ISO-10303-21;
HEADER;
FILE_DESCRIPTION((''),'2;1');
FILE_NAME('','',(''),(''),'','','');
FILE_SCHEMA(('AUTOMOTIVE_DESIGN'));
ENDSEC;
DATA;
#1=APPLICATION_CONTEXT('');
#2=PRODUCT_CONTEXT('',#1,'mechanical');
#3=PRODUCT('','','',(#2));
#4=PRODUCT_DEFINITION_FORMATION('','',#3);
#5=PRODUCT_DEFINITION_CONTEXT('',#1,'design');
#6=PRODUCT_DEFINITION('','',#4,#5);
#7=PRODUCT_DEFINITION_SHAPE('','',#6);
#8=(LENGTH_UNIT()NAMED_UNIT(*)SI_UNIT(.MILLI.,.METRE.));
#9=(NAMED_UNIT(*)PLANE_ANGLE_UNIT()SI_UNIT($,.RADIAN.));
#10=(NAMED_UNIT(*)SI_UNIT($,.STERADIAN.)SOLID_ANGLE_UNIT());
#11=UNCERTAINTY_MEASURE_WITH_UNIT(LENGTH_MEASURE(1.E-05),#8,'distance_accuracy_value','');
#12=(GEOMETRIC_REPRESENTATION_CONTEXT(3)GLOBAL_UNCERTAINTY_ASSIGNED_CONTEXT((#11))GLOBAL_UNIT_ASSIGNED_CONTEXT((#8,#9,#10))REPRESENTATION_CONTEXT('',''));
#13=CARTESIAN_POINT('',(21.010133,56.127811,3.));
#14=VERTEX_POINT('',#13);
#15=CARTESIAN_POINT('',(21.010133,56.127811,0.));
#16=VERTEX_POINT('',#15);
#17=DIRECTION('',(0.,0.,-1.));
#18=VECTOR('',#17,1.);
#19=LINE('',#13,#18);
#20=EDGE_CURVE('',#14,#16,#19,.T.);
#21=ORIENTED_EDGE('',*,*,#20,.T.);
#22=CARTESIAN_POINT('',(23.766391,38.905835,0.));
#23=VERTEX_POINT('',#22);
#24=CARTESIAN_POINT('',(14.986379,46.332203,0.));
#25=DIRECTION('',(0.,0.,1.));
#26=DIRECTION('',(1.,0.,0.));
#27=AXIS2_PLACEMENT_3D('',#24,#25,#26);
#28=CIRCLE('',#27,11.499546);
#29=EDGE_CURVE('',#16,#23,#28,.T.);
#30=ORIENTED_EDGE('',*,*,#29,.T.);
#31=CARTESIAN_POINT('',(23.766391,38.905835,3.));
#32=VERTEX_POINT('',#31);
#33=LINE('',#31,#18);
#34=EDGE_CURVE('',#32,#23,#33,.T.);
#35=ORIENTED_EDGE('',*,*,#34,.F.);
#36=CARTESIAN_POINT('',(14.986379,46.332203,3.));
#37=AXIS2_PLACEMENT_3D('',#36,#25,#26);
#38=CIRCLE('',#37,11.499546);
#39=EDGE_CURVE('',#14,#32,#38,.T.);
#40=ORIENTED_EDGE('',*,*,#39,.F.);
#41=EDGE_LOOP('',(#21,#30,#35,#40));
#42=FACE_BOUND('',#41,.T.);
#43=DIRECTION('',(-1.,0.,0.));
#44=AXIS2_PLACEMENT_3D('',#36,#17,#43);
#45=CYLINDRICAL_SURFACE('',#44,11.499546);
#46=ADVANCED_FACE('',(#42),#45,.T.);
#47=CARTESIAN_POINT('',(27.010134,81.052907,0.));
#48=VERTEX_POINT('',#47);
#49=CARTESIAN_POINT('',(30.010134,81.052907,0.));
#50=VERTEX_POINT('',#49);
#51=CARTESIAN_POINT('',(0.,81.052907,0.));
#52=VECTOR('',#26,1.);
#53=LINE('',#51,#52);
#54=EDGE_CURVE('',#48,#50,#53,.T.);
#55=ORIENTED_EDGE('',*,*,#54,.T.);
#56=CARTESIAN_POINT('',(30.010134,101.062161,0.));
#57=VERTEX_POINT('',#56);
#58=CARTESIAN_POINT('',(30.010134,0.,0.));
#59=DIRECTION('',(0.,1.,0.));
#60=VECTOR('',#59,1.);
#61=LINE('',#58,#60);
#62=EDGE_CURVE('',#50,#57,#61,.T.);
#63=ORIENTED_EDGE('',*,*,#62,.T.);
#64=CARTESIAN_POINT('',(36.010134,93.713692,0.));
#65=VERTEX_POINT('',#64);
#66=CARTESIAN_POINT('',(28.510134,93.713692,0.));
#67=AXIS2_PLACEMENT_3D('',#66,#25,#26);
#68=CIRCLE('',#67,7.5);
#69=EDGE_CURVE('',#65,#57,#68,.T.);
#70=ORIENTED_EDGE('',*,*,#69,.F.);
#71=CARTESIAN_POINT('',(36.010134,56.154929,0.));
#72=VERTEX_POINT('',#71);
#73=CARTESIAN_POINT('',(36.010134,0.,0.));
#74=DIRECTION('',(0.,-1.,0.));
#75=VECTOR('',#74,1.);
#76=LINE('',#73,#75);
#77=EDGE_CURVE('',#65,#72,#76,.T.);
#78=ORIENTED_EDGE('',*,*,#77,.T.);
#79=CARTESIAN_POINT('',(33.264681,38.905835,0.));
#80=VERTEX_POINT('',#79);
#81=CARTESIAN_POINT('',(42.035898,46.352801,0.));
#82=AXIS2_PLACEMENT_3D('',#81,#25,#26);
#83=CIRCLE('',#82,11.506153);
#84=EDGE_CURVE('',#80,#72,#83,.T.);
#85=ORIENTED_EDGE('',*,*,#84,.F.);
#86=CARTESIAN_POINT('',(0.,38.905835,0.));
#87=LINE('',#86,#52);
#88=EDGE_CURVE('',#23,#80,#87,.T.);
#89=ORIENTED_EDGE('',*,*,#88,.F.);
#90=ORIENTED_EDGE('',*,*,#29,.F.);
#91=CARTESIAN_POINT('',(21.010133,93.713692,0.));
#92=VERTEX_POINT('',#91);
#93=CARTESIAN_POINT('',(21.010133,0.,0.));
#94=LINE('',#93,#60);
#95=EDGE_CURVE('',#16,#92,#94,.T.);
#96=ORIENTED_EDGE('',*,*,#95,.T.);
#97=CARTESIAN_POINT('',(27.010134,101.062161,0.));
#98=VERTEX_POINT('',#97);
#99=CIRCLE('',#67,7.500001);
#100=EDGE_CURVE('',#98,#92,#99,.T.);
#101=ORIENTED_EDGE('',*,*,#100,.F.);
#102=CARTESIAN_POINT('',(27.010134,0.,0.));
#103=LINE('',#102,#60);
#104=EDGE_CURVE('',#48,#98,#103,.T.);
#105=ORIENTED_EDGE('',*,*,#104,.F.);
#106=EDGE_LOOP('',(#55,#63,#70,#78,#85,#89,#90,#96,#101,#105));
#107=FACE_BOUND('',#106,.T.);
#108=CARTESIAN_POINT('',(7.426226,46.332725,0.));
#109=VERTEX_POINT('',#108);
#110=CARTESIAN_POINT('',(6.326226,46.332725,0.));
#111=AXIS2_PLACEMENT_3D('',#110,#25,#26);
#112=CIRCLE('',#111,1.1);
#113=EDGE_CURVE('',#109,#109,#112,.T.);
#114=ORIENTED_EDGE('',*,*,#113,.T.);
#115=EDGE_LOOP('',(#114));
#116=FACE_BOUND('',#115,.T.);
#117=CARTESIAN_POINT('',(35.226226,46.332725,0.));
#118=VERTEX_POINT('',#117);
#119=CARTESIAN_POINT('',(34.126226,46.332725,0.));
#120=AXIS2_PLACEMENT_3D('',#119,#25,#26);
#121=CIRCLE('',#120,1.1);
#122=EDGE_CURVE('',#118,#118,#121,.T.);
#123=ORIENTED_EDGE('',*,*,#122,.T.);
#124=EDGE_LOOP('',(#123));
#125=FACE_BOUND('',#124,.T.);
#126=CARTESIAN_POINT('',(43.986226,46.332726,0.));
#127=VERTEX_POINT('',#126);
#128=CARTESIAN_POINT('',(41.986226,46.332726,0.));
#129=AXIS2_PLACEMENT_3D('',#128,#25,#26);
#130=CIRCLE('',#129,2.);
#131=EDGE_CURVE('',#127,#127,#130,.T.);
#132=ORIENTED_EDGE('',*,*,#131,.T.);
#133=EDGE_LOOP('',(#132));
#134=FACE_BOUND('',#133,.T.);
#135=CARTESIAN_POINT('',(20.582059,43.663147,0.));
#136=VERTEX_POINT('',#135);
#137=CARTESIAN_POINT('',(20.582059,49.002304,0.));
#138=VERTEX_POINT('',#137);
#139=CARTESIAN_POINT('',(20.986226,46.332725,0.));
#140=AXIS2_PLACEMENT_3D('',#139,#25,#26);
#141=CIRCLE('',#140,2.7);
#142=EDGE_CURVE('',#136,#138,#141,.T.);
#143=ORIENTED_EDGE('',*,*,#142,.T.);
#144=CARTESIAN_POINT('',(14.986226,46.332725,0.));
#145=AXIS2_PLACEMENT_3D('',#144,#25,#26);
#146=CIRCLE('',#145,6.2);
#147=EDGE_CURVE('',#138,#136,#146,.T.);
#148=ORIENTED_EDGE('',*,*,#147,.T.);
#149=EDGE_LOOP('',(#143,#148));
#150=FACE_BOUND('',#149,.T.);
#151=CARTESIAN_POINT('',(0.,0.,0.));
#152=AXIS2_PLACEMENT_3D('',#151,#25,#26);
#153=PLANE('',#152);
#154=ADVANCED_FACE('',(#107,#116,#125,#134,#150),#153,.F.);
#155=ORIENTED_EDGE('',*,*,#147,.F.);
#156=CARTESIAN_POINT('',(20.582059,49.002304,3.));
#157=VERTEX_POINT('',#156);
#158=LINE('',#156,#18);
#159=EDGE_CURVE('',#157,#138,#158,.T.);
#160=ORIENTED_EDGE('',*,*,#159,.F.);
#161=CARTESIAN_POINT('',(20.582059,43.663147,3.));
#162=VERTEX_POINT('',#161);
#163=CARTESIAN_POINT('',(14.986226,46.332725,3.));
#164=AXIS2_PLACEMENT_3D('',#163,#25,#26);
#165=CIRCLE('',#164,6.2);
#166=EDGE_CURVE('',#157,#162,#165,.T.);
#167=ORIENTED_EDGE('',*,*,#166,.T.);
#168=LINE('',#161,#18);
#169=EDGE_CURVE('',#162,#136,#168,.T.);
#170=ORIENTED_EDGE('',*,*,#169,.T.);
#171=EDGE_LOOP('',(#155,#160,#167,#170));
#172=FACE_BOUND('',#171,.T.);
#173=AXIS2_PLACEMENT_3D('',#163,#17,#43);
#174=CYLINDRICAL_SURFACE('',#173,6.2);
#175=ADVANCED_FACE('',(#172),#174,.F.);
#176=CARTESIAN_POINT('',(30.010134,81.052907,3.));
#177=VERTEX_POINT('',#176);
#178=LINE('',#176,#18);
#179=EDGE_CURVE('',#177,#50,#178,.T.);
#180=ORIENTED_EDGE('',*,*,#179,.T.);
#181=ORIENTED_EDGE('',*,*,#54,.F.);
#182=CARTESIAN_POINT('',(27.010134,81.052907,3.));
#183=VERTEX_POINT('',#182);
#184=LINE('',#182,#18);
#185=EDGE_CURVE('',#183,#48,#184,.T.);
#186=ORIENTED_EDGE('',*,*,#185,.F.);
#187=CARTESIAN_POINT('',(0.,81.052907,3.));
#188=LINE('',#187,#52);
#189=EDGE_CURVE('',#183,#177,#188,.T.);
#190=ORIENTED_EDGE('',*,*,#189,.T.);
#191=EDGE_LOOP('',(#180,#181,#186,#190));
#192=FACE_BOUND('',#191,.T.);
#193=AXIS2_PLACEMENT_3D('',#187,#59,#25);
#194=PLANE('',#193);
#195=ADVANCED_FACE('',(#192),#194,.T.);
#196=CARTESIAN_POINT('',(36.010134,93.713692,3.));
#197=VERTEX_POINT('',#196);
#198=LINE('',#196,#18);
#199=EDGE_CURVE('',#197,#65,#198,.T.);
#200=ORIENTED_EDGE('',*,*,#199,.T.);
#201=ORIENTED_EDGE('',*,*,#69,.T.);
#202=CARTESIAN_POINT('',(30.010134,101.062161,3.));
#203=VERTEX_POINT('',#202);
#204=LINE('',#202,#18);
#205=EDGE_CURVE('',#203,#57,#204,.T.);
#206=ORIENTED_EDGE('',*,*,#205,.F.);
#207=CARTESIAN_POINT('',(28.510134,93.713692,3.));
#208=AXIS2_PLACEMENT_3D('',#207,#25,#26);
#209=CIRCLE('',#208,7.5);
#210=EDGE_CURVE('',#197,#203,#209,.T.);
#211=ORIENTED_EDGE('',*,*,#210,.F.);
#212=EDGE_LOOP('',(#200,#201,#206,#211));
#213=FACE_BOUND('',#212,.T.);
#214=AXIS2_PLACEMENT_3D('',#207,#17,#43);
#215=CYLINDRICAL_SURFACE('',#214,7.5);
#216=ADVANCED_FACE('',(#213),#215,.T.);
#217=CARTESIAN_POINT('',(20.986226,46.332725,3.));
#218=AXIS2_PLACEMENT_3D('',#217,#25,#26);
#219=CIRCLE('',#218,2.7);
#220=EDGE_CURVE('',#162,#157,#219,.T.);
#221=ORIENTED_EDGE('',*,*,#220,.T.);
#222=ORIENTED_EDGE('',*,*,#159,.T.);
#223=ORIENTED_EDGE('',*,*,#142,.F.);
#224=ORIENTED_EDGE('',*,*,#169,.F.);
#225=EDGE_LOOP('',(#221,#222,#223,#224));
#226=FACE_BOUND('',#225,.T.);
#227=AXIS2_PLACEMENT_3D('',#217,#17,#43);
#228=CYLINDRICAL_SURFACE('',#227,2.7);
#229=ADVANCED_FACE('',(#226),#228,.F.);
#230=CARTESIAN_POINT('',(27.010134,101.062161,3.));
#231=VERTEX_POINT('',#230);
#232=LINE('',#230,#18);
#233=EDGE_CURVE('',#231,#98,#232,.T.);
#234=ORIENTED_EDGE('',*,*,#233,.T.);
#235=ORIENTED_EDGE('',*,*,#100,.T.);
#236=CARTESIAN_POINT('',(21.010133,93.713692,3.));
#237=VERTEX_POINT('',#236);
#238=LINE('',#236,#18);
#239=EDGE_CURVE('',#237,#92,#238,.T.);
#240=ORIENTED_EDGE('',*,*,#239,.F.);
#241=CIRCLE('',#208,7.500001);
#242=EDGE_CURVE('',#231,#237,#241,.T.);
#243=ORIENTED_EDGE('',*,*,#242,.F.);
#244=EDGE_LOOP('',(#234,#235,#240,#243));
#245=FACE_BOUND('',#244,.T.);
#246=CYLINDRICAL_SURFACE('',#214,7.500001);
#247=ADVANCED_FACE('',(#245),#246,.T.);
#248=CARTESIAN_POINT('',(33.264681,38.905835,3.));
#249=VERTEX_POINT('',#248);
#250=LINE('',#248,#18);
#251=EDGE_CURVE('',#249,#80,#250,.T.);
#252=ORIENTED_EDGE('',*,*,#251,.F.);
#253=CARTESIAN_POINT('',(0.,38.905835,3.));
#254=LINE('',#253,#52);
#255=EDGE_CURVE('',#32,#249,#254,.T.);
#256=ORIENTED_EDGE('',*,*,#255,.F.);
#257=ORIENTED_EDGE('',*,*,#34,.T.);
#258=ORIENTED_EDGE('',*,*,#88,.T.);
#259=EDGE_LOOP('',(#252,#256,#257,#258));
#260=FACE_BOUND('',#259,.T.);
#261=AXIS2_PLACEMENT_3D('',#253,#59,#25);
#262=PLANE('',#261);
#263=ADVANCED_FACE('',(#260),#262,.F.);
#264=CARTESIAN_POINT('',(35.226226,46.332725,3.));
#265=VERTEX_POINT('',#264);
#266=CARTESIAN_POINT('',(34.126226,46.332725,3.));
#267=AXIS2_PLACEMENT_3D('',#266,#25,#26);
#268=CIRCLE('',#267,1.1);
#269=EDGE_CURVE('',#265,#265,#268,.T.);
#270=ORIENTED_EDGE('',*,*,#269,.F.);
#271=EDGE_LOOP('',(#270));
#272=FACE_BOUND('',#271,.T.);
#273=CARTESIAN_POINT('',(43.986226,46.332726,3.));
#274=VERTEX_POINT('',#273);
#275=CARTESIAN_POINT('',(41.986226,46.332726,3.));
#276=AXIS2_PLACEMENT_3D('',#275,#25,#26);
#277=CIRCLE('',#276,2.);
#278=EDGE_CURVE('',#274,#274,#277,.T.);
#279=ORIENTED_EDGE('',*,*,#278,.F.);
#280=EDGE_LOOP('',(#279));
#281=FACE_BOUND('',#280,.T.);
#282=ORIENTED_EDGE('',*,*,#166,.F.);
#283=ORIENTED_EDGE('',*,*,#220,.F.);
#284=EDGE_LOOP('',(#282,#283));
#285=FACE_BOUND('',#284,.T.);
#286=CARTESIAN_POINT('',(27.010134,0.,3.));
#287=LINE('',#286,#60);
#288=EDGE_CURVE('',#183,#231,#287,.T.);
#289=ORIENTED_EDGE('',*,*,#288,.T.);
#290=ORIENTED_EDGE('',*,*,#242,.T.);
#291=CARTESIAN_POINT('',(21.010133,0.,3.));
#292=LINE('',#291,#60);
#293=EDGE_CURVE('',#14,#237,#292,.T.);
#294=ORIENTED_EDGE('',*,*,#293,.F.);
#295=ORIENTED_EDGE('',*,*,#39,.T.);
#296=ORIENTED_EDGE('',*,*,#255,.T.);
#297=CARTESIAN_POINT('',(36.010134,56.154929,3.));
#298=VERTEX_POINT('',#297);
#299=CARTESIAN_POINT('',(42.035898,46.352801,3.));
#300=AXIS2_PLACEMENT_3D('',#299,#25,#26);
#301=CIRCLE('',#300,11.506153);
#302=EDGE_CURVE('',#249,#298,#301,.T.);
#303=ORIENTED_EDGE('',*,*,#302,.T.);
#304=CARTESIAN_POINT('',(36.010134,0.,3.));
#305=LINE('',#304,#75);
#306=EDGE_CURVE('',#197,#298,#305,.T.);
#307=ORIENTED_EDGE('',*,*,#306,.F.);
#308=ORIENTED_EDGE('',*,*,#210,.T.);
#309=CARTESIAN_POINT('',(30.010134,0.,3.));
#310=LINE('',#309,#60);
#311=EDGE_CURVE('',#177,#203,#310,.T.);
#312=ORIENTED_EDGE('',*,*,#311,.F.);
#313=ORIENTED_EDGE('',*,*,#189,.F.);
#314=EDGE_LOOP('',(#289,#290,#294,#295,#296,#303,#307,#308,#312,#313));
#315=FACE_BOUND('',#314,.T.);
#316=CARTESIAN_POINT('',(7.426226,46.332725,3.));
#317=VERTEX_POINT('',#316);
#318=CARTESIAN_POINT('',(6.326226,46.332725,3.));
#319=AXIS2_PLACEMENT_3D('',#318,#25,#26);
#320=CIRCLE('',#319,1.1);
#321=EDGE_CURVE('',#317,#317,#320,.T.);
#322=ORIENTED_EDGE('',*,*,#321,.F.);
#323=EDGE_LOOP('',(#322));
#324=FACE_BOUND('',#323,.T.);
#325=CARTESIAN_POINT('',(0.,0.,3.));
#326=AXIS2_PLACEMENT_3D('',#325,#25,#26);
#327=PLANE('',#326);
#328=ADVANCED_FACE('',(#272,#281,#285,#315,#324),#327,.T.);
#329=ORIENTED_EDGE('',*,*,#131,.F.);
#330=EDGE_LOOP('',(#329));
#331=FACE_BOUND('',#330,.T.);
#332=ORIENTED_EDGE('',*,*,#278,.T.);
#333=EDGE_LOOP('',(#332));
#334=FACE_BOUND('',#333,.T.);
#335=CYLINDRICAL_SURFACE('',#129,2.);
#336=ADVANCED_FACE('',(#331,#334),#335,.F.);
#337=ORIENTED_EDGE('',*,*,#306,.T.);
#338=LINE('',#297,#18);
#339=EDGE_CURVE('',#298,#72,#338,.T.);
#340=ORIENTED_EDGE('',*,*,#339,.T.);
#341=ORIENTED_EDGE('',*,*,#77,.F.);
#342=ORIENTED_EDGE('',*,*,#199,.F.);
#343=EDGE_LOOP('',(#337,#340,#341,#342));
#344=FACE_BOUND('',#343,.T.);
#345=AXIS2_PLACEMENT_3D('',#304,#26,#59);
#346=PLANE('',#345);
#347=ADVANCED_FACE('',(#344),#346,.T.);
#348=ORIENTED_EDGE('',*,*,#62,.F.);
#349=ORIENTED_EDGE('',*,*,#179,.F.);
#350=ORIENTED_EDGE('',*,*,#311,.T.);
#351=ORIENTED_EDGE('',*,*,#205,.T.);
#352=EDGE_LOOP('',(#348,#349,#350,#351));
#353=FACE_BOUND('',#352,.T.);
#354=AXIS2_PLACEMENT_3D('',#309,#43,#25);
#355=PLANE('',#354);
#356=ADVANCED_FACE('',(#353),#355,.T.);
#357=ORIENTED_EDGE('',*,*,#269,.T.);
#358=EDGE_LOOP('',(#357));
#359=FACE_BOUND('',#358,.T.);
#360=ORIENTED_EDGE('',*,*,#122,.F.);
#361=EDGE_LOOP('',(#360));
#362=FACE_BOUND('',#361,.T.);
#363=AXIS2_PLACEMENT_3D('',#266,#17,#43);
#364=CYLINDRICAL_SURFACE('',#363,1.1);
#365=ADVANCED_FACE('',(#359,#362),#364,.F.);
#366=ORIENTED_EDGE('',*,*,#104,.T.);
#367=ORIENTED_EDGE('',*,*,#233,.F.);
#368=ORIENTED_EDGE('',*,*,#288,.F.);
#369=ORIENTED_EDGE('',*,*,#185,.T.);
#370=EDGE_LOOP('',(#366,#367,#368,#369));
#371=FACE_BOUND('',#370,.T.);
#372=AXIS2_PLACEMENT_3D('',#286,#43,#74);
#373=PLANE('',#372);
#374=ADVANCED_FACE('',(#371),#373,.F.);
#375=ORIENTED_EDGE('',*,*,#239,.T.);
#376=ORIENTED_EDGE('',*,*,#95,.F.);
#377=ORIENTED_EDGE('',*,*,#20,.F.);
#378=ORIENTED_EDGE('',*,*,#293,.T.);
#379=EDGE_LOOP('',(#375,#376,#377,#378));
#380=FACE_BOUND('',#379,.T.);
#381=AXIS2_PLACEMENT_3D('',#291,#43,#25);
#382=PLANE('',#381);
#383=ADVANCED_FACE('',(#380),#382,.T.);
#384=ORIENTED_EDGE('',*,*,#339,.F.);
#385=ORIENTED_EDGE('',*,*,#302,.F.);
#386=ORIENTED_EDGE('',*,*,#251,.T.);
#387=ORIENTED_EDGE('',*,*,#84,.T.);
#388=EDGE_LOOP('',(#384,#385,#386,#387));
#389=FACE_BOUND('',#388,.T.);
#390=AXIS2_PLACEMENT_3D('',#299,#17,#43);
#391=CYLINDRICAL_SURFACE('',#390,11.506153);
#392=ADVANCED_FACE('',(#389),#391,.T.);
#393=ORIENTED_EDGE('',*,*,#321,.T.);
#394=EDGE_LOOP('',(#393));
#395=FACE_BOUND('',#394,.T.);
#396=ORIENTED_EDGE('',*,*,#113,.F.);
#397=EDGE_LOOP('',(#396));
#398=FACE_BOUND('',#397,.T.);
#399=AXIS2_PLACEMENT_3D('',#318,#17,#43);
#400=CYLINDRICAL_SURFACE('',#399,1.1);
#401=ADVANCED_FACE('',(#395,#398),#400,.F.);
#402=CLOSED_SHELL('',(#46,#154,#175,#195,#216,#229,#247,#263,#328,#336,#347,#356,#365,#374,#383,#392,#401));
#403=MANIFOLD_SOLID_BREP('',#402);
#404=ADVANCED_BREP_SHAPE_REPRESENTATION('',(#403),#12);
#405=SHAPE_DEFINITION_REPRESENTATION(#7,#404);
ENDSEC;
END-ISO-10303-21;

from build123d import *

# Parameters (mm, degrees)
SKETCH3_R           = 1.1
BOSS_EXTRUDE1_DEPTH = 3
SKETCH5_R           = 2
CUT_EXTRUDE1_DEPTH  = 3


with BuildPart() as part:
    # Sketch3 → Boss-Extrude1 (new body)
    with BuildSketch(Plane.XY):
        with BuildLine():
            ThreePointArc((21.010133, 56.127810971), (3.63133679, 44.514906989), (23.766391, 38.905835))
            Line((23.766391, 38.905835), (33.206061, 38.905835))
            Line((33.206061, 38.905835), (33.264681316, 38.905835))
            ThreePointArc((33.264681316, 38.905835), (53.399016999, 44.544189703), (36.010134, 56.154928922))
            Line((36.010134, 56.154928922), (36.010134, 56.158016))
            Line((36.010134, 56.158016), (36.010134, 93.713691502))
            ThreePointArc((36.010134, 93.713691502), (34.319609023, 98.457108027), (30.010134, 101.062160821))
            Line((30.010134, 101.062160821), (30.010134, 101.052906355))
            Line((30.010134, 101.052906355), (30.010134, 81.052906536))
            Line((30.010134, 81.052906536), (27.010134, 81.052906536))
            Line((27.010134, 81.052906536), (27.010134, 101.052906536))
            Line((27.010134, 101.052906536), (27.010134, 101.062160866))
            ThreePointArc((27.010134, 101.062160866), (22.700658897, 98.4571082), (21.010133, 93.713692))
            Line((21.010133, 93.713692), (21.010133, 56.128782))
            Line((21.010133, 56.128782), (21.010133, 56.127810971))
        make_face()
        with Locations((6.326226, 46.332725)):
            Circle(SKETCH3_R, mode=Mode.SUBTRACT)
        with BuildLine():
            ThreePointArc((20.582059495, 43.663146925), (8.78622584, 46.332725409), (20.582059481, 49.002303953))
            ThreePointArc((20.582059481, 49.002303953), (23.686226, 46.332725447), (20.582059495, 43.663146925))
        make_face(mode=Mode.SUBTRACT)
        with Locations((34.126226, 46.332725)):
            Circle(SKETCH3_R, mode=Mode.SUBTRACT)
    extrude(amount=BOSS_EXTRUDE1_DEPTH)

    # Sketch5 → Cut-Extrude1 (cut)
    with BuildSketch(Plane.XY.offset(3)):
        with Locations((41.986225603, 46.332725741)):
            Circle(SKETCH5_R)
    extrude(amount=-CUT_EXTRUDE1_DEPTH, mode=Mode.SUBTRACT)


solid = part.part
